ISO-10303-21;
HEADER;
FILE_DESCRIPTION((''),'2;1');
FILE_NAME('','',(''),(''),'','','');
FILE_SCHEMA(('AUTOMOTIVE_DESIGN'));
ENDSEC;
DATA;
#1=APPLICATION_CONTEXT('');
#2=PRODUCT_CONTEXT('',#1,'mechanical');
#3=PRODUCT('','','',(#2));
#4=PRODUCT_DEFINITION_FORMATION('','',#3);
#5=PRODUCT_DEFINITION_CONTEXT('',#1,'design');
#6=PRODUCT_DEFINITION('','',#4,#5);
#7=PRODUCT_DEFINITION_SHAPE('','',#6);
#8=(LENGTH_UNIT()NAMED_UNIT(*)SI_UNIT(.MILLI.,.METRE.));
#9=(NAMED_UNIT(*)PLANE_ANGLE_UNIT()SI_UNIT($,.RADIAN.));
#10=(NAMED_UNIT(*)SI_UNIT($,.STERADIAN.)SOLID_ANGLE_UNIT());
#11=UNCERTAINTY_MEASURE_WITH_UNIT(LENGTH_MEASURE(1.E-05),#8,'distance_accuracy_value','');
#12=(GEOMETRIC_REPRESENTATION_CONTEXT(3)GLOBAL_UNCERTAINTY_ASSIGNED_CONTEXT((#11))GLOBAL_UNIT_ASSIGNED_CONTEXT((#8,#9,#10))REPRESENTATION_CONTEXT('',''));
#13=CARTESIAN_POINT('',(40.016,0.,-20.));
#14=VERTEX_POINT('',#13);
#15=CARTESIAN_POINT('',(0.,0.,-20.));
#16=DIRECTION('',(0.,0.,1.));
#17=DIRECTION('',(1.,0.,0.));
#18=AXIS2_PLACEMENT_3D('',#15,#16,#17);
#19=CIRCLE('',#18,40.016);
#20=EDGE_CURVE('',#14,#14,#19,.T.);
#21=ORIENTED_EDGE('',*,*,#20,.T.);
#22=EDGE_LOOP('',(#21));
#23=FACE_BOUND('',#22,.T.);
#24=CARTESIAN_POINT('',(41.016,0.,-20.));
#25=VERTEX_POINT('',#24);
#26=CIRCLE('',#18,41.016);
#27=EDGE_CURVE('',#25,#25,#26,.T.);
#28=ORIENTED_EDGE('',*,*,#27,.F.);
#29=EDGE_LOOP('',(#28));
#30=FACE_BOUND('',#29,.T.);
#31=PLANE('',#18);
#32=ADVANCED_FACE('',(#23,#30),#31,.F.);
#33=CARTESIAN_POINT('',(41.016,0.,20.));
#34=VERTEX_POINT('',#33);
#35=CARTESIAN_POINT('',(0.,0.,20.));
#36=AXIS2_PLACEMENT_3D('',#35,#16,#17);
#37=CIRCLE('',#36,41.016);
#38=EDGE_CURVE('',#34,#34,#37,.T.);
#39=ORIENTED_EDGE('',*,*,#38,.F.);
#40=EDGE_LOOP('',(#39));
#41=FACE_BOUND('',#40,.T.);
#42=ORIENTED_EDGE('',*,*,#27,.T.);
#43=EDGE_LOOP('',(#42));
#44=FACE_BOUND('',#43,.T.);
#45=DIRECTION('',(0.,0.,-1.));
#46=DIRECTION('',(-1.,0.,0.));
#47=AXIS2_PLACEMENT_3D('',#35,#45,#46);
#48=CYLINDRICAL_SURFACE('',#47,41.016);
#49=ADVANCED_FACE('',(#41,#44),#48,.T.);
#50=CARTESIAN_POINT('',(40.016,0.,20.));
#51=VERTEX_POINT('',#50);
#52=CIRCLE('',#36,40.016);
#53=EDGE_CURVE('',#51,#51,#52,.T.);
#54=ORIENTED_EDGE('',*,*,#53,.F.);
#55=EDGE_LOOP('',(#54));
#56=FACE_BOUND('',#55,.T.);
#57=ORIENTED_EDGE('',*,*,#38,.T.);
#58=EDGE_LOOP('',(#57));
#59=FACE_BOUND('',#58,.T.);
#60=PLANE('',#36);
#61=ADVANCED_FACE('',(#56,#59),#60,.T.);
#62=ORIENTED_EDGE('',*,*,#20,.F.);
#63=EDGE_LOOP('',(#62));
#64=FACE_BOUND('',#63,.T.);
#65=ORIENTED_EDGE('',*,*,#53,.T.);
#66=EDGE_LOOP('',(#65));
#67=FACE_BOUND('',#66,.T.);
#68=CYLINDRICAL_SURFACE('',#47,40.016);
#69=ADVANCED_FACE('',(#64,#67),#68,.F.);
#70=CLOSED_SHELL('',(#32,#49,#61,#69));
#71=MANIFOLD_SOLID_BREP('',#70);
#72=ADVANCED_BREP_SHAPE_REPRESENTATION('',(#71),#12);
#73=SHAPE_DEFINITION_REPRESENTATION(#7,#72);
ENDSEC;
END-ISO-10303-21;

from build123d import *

# Parameters (mm, degrees)
SKETCH1_R           = 41.016
SKETCH1_R_2         = 40.016
EXTRUDE_THIN1_DEPTH = 20


with BuildPart() as part:
    # Sketch1 → Extrude-Thin1 (new body, symmetric)
    with BuildSketch(Plane.XY):
        Circle(SKETCH1_R)
        Circle(SKETCH1_R_2, mode=Mode.SUBTRACT)
    extrude(amount=EXTRUDE_THIN1_DEPTH, both=True)


solid = part.part
